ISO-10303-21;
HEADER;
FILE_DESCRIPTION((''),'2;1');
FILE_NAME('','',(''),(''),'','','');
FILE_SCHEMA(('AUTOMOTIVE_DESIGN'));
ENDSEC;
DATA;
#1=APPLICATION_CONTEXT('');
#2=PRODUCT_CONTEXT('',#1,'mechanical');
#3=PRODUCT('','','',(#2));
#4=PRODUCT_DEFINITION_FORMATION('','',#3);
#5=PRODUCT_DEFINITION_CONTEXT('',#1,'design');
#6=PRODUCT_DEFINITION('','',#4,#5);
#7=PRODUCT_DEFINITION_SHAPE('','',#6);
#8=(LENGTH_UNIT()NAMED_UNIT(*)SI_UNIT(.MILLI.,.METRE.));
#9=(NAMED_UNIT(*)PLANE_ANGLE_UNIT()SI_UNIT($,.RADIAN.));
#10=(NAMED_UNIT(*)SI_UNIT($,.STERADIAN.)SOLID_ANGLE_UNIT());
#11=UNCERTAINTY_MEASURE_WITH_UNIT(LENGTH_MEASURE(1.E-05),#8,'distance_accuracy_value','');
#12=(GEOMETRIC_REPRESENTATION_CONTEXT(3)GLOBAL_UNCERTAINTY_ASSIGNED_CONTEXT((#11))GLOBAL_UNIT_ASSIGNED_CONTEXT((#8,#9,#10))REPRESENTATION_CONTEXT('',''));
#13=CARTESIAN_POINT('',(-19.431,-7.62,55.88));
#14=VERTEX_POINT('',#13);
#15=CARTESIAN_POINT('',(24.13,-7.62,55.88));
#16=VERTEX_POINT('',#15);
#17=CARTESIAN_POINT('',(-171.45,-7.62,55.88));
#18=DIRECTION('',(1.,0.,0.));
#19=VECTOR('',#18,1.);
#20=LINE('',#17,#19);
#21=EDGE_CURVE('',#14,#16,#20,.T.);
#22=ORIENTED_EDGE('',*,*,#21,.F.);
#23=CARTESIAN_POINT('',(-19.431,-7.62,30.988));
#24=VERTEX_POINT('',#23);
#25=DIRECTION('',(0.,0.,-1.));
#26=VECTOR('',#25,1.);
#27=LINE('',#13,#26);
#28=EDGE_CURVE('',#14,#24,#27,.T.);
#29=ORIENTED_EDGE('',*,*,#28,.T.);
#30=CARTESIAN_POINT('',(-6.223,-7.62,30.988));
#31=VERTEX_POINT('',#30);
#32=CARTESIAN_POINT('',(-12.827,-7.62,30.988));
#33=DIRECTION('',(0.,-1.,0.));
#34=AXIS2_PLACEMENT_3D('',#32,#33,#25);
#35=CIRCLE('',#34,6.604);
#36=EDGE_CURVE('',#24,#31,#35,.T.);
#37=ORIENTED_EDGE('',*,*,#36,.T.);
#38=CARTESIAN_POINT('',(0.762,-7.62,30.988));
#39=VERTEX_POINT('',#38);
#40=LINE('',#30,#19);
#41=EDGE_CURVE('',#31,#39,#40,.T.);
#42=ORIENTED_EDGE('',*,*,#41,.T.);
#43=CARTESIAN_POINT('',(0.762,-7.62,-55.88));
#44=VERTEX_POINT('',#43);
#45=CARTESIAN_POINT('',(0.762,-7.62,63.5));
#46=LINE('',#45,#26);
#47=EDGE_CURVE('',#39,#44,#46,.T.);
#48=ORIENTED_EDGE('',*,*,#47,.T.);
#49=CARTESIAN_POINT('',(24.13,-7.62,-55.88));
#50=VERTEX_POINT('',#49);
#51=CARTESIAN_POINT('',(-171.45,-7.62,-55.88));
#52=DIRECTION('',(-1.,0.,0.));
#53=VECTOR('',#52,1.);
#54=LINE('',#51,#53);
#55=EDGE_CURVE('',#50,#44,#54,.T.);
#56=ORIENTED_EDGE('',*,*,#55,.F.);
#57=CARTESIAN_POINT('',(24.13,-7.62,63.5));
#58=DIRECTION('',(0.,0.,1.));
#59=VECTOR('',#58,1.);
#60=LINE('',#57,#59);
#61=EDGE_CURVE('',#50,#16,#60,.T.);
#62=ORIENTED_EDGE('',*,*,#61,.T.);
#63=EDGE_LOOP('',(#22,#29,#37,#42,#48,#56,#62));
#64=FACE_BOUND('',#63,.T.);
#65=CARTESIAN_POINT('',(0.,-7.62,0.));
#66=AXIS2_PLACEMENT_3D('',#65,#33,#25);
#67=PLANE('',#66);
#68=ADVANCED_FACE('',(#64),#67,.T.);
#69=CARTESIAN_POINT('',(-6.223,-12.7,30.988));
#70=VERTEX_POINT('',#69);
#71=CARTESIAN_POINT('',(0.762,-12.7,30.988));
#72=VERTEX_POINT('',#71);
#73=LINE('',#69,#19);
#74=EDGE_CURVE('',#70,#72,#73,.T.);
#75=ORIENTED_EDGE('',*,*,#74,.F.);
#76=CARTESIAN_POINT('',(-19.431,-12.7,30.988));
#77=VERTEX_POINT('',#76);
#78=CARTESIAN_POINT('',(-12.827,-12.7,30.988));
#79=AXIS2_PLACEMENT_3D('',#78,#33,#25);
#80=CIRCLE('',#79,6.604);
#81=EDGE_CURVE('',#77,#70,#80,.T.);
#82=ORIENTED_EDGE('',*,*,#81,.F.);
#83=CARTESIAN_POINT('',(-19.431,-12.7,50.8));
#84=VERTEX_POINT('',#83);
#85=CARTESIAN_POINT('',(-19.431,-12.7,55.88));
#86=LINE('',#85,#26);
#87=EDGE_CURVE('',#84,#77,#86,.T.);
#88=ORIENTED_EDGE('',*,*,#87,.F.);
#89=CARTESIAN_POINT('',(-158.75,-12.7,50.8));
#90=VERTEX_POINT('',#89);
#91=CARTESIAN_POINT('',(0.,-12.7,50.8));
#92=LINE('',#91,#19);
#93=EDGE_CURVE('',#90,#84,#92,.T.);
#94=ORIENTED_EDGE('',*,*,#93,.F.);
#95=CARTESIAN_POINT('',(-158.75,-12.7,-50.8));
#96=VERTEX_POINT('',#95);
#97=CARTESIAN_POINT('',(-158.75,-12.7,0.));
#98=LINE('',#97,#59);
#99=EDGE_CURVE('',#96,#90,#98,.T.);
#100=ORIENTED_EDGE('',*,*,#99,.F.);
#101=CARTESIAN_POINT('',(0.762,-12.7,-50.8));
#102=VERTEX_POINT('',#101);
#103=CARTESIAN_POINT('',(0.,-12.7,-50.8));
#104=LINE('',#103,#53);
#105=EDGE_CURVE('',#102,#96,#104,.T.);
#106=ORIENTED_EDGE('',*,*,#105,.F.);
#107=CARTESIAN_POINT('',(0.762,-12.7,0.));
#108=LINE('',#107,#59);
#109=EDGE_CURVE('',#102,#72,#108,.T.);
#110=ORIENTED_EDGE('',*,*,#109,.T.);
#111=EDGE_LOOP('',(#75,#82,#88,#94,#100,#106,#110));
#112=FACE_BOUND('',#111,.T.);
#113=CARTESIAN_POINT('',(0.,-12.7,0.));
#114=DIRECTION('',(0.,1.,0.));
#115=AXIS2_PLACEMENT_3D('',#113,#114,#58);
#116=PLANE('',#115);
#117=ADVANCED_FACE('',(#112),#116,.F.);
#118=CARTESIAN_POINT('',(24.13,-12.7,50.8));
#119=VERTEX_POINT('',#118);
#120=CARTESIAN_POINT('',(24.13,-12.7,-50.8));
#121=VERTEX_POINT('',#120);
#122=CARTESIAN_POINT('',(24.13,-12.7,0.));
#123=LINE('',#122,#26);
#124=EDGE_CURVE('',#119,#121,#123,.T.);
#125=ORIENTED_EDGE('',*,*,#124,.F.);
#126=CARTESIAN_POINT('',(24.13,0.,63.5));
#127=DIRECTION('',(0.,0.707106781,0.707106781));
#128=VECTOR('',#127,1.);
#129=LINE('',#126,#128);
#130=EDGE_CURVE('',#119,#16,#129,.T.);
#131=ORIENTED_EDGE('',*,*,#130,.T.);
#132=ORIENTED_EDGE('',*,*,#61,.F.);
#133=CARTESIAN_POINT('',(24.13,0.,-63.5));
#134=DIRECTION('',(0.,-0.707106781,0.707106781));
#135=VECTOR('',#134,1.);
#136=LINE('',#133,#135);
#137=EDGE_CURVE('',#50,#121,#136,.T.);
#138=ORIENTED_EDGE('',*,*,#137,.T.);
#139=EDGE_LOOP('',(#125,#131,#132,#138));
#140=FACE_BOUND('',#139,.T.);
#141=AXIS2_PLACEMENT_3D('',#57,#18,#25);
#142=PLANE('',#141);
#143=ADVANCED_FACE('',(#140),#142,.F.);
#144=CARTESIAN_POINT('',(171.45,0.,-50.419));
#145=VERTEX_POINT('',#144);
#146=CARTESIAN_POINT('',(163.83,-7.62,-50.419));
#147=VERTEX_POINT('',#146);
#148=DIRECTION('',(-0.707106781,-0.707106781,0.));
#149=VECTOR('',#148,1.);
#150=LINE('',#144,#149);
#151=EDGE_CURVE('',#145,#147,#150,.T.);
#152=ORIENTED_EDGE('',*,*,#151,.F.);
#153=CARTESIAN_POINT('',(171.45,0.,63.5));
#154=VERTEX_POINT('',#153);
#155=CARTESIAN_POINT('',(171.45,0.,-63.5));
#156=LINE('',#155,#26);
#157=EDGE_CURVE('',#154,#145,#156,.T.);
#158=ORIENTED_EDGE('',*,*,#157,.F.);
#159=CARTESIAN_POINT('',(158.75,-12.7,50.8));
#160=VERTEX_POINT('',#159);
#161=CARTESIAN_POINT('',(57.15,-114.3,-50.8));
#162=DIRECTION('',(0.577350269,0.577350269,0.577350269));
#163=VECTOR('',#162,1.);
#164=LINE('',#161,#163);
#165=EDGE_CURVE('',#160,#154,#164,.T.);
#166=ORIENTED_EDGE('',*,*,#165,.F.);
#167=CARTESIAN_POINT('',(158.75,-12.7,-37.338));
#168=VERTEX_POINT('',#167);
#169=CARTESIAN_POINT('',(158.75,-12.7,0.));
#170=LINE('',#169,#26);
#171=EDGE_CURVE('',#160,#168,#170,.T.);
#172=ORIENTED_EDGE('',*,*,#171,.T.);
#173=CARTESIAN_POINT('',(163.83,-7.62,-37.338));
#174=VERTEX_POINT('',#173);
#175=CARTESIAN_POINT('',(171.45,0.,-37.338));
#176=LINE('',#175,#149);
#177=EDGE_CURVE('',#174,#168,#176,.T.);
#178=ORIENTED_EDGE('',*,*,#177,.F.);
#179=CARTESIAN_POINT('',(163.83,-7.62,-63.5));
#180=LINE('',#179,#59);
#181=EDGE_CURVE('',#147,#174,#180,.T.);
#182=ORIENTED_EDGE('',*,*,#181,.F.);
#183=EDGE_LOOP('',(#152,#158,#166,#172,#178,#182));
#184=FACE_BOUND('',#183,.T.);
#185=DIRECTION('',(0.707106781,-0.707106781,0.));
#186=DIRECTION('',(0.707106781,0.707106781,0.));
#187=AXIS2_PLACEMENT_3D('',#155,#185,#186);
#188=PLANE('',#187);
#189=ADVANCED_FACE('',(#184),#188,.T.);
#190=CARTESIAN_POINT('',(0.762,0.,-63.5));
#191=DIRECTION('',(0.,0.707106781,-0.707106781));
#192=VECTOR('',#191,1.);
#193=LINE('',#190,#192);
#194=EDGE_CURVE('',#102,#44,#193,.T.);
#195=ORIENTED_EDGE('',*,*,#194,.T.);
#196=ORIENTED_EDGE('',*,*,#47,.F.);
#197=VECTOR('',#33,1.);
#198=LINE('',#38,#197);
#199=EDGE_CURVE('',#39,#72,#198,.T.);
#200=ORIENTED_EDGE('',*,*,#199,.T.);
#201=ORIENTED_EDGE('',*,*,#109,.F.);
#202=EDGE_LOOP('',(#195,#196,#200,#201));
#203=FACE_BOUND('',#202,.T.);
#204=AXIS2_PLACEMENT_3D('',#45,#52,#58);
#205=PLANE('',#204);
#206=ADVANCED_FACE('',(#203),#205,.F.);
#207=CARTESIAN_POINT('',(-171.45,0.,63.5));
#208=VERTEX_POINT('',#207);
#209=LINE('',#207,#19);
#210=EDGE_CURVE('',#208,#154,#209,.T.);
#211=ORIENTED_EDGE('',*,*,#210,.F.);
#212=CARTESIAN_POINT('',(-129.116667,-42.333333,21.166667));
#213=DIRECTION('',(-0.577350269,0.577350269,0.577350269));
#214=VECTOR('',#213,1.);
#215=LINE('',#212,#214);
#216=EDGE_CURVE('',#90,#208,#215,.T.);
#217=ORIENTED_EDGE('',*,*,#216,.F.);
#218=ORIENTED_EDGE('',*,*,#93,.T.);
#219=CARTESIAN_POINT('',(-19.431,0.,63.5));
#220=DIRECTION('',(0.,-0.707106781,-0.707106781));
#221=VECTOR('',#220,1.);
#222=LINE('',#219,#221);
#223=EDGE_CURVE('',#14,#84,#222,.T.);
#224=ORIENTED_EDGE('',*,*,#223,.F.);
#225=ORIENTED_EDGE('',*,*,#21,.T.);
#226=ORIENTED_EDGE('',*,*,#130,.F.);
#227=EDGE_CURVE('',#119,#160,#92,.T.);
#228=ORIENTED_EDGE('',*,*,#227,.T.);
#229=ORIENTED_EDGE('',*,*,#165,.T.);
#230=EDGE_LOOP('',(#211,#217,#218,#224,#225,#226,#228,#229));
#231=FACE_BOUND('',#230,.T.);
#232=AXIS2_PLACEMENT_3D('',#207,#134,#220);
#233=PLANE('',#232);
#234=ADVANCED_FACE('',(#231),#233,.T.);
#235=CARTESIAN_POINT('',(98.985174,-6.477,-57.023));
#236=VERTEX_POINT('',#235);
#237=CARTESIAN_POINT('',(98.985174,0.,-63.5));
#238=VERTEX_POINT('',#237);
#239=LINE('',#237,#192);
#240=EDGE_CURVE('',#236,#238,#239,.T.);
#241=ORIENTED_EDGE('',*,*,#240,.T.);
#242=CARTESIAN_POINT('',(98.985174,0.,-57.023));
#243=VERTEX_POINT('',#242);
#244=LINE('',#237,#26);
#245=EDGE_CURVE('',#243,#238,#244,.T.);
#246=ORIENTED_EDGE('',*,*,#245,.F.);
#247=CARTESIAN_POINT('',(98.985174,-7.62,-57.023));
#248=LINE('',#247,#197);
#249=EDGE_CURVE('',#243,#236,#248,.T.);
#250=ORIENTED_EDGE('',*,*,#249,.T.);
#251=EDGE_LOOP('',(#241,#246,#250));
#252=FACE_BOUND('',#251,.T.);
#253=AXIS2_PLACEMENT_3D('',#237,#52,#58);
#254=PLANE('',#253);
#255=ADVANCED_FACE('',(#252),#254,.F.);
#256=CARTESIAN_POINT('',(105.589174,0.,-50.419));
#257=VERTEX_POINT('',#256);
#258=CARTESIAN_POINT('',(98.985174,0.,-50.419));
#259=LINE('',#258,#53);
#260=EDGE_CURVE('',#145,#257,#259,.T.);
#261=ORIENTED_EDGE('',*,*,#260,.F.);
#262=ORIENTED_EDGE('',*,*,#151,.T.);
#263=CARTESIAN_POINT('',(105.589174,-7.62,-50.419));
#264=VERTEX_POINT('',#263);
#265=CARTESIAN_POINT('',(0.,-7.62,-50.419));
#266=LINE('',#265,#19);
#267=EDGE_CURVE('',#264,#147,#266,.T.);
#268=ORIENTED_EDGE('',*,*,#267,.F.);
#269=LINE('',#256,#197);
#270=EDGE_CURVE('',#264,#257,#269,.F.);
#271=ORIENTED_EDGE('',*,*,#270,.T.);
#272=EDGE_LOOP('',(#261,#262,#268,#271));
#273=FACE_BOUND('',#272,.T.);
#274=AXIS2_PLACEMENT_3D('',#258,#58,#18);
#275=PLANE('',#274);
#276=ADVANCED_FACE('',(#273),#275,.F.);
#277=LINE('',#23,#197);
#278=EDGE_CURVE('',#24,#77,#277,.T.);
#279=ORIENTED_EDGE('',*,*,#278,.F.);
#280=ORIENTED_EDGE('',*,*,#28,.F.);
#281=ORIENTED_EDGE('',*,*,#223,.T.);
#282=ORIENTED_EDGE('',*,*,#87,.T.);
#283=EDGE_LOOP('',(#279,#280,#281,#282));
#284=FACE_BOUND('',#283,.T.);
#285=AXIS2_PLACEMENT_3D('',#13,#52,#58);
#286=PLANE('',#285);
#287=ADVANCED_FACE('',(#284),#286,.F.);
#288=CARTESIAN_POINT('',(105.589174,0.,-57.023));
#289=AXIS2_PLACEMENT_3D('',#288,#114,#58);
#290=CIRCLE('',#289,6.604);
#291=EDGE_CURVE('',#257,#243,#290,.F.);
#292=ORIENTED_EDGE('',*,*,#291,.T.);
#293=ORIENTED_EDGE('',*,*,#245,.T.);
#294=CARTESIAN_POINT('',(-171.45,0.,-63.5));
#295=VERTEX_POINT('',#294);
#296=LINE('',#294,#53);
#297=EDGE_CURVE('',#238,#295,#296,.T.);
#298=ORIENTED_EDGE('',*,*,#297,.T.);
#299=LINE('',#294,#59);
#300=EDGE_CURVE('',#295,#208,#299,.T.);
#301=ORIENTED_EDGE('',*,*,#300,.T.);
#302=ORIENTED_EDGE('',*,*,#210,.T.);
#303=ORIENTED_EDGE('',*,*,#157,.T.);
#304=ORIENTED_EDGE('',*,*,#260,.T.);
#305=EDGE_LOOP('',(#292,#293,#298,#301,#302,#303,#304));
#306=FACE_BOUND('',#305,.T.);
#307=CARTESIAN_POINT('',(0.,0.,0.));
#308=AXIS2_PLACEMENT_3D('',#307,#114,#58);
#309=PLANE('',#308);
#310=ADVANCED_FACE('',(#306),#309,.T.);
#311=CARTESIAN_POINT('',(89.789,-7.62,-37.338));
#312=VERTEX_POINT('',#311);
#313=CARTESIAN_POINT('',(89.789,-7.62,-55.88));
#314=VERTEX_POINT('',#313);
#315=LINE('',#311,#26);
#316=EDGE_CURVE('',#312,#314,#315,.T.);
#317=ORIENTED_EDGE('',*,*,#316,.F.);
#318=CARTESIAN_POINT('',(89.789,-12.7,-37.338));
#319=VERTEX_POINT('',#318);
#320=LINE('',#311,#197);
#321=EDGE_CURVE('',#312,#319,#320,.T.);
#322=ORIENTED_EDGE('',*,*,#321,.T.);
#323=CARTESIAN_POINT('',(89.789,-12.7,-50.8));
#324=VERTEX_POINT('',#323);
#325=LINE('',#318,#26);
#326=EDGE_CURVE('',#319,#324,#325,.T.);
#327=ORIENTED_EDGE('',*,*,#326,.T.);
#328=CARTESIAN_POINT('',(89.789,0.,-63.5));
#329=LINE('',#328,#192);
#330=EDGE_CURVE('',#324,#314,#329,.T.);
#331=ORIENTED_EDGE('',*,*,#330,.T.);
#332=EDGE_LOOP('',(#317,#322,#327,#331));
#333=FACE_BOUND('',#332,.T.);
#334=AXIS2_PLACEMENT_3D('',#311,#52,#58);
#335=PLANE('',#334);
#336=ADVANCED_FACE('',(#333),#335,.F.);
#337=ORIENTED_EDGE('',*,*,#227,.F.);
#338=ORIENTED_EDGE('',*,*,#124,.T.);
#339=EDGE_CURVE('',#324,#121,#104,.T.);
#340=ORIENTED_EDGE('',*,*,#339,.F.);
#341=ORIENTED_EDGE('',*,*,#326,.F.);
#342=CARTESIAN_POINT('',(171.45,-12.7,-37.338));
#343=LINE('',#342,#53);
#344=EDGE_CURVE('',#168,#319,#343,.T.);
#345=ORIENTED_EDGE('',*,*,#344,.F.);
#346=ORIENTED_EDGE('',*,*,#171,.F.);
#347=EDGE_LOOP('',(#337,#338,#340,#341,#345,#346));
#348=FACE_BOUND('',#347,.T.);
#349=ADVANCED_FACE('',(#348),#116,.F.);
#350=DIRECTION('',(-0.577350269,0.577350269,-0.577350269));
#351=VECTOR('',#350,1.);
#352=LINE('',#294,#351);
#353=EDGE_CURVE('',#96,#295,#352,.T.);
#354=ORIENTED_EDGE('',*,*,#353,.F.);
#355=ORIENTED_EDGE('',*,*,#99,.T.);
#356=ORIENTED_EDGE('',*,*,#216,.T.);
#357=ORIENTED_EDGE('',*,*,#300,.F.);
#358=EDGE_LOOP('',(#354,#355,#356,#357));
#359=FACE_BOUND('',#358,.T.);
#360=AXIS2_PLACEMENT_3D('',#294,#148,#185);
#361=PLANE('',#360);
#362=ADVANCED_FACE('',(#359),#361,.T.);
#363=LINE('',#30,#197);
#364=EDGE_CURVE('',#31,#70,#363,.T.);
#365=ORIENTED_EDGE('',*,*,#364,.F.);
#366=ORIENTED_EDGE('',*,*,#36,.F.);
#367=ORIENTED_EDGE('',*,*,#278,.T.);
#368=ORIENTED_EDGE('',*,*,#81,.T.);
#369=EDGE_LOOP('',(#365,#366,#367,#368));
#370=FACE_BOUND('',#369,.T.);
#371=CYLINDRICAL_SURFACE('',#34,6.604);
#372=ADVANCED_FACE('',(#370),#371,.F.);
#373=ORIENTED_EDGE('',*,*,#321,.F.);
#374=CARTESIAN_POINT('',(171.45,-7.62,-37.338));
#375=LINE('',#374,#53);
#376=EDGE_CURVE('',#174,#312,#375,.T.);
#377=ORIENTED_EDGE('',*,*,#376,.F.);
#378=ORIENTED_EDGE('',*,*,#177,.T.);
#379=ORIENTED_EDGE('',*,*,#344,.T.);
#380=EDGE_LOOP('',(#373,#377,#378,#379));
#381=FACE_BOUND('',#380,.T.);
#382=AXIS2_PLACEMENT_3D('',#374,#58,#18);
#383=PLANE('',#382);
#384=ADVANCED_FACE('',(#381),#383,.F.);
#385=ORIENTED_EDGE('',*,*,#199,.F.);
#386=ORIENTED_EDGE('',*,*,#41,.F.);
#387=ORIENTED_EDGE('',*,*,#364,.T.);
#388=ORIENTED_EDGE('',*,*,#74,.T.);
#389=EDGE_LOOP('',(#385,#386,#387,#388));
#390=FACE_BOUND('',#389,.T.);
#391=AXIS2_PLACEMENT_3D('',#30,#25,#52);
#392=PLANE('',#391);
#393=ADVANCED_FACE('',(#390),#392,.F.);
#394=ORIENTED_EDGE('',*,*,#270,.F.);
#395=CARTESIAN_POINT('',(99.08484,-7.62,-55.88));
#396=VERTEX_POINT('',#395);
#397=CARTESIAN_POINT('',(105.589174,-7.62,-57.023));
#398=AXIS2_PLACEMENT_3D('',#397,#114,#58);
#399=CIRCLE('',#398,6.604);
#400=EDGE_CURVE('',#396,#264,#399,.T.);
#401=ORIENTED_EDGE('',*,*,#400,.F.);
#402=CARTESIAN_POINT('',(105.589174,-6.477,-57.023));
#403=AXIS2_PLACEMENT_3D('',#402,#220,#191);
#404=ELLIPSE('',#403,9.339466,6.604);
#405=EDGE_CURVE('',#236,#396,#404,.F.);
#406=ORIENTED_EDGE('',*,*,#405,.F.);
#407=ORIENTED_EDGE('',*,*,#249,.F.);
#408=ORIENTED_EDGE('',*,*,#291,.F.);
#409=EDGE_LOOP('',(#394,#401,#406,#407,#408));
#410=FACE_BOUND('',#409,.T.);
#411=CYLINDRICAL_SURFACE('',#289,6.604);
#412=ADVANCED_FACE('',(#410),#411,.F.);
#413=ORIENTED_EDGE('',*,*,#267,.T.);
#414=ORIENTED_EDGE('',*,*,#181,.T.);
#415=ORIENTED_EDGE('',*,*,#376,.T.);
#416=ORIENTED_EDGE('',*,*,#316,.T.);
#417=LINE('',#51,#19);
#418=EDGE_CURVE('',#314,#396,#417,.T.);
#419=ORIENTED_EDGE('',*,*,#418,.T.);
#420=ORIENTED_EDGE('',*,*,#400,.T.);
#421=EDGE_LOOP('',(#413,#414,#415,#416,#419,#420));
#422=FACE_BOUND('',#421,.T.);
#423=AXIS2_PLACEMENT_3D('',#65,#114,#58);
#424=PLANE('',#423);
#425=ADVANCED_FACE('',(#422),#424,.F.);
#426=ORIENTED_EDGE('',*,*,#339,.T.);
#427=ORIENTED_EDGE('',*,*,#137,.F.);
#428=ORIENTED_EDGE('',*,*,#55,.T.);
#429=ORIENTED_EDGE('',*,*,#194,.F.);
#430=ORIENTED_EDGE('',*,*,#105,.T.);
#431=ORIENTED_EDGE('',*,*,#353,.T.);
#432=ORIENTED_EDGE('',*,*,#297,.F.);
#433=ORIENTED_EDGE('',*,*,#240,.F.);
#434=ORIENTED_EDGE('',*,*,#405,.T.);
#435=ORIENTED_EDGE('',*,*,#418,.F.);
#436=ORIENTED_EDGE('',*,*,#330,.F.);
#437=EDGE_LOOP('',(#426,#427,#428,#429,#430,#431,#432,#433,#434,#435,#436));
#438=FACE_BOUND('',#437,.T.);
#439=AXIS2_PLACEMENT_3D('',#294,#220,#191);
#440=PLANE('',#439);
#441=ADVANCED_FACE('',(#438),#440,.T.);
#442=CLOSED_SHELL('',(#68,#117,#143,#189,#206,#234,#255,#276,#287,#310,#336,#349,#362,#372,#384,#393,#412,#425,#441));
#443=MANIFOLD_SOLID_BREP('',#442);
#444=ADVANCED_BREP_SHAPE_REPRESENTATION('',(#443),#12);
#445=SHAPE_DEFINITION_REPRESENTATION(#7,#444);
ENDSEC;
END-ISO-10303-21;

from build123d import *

# Parameters (mm, degrees)
SKETCH1_W           = 342.9
SKETCH1_H           = 127
BOSS_EXTRUDE1_DEPTH = 12.7
DRAFT1_ANGLE        = -45
SKETCH2_W           = 23.368
SKETCH2_H           = 127
CUT_EXTRUDE1_DEPTH  = 5.08
CUT_EXTRUDE2_DEPTH  = 5.08
SKETCH4_W           = 81.661
SKETCH4_H           = 26.162
CUT_EXTRUDE3_DEPTH  = 5.08
SKETCH5_W           = 72.464825645
SKETCH5_H           = 13.081
CUT_EXTRUDE4_DEPTH  = 184.272045059
FILLET1_R           = 6.604


with BuildPart() as part:
    # Sketch1 → Boss-Extrude1 (new body)
    with BuildSketch(Plane(origin=(0, 0, 0), x_dir=(1, 0, 0), z_dir=(0, 1, 0))):
        Rectangle(SKETCH1_W, SKETCH1_H)
    extrude(amount=-BOSS_EXTRUDE1_DEPTH)

    # Draft1
    draft1_faces = [part.faces().sort_by_distance(p)[0] for p in [
        (0, -6.35, -63.5),
        (-171.45, -6.35, 0),
        (171.45, -6.35, 0),
        (0, -6.35, 63.5),
    ]]
    draft(draft1_faces, Plane.ZX, DRAFT1_ANGLE)

    # Sketch2 → Cut-Extrude1 (cut)
    with BuildSketch(Plane.XZ.offset(12.7)):
        with Locations((12.446, 0)):
            Rectangle(SKETCH2_W, SKETCH2_H)
    extrude(amount=-CUT_EXTRUDE1_DEPTH, mode=Mode.SUBTRACT)

    # Sketch3 → Cut-Extrude2 (cut)
    with BuildSketch(Plane.XZ.offset(12.7)):
        with BuildLine():
            Line((0.762, 55.88), (-19.431, 55.88))
            Line((-19.431, 55.88), (-19.431, 30.988))
            ThreePointArc((-19.431, 30.988), (-12.827, 24.384), (-6.223, 30.988))
            Line((-6.223, 30.988), (0.762, 30.988))
            Line((0.762, 30.988), (0.762, 55.88))
        make_face()
    extrude(amount=-CUT_EXTRUDE2_DEPTH, mode=Mode.SUBTRACT)

    # Sketch4 → Cut-Extrude3 (cut)
    with BuildSketch(Plane.XZ.offset(12.7)):
        with Locations((130.6195, -50.419)):
            Rectangle(SKETCH4_W, SKETCH4_H)
    extrude(amount=-CUT_EXTRUDE3_DEPTH, mode=Mode.SUBTRACT)

    # Sketch5 → Cut-Extrude4 (cut, through all)
    with BuildSketch(Plane.XZ.offset(12.7)):
        with Locations((135.217587178, -56.9595)):
            Rectangle(SKETCH5_W, SKETCH5_H)
    extrude(amount=-CUT_EXTRUDE4_DEPTH, mode=Mode.SUBTRACT)

    # Fillet1
    fillet1_edges = [part.edges().sort_by_distance(p)[0] for p in [
        (98.985174355, -3.81, -50.419),
    ]]
    fillet(fillet1_edges, radius=FILLET1_R)


solid = part.part
